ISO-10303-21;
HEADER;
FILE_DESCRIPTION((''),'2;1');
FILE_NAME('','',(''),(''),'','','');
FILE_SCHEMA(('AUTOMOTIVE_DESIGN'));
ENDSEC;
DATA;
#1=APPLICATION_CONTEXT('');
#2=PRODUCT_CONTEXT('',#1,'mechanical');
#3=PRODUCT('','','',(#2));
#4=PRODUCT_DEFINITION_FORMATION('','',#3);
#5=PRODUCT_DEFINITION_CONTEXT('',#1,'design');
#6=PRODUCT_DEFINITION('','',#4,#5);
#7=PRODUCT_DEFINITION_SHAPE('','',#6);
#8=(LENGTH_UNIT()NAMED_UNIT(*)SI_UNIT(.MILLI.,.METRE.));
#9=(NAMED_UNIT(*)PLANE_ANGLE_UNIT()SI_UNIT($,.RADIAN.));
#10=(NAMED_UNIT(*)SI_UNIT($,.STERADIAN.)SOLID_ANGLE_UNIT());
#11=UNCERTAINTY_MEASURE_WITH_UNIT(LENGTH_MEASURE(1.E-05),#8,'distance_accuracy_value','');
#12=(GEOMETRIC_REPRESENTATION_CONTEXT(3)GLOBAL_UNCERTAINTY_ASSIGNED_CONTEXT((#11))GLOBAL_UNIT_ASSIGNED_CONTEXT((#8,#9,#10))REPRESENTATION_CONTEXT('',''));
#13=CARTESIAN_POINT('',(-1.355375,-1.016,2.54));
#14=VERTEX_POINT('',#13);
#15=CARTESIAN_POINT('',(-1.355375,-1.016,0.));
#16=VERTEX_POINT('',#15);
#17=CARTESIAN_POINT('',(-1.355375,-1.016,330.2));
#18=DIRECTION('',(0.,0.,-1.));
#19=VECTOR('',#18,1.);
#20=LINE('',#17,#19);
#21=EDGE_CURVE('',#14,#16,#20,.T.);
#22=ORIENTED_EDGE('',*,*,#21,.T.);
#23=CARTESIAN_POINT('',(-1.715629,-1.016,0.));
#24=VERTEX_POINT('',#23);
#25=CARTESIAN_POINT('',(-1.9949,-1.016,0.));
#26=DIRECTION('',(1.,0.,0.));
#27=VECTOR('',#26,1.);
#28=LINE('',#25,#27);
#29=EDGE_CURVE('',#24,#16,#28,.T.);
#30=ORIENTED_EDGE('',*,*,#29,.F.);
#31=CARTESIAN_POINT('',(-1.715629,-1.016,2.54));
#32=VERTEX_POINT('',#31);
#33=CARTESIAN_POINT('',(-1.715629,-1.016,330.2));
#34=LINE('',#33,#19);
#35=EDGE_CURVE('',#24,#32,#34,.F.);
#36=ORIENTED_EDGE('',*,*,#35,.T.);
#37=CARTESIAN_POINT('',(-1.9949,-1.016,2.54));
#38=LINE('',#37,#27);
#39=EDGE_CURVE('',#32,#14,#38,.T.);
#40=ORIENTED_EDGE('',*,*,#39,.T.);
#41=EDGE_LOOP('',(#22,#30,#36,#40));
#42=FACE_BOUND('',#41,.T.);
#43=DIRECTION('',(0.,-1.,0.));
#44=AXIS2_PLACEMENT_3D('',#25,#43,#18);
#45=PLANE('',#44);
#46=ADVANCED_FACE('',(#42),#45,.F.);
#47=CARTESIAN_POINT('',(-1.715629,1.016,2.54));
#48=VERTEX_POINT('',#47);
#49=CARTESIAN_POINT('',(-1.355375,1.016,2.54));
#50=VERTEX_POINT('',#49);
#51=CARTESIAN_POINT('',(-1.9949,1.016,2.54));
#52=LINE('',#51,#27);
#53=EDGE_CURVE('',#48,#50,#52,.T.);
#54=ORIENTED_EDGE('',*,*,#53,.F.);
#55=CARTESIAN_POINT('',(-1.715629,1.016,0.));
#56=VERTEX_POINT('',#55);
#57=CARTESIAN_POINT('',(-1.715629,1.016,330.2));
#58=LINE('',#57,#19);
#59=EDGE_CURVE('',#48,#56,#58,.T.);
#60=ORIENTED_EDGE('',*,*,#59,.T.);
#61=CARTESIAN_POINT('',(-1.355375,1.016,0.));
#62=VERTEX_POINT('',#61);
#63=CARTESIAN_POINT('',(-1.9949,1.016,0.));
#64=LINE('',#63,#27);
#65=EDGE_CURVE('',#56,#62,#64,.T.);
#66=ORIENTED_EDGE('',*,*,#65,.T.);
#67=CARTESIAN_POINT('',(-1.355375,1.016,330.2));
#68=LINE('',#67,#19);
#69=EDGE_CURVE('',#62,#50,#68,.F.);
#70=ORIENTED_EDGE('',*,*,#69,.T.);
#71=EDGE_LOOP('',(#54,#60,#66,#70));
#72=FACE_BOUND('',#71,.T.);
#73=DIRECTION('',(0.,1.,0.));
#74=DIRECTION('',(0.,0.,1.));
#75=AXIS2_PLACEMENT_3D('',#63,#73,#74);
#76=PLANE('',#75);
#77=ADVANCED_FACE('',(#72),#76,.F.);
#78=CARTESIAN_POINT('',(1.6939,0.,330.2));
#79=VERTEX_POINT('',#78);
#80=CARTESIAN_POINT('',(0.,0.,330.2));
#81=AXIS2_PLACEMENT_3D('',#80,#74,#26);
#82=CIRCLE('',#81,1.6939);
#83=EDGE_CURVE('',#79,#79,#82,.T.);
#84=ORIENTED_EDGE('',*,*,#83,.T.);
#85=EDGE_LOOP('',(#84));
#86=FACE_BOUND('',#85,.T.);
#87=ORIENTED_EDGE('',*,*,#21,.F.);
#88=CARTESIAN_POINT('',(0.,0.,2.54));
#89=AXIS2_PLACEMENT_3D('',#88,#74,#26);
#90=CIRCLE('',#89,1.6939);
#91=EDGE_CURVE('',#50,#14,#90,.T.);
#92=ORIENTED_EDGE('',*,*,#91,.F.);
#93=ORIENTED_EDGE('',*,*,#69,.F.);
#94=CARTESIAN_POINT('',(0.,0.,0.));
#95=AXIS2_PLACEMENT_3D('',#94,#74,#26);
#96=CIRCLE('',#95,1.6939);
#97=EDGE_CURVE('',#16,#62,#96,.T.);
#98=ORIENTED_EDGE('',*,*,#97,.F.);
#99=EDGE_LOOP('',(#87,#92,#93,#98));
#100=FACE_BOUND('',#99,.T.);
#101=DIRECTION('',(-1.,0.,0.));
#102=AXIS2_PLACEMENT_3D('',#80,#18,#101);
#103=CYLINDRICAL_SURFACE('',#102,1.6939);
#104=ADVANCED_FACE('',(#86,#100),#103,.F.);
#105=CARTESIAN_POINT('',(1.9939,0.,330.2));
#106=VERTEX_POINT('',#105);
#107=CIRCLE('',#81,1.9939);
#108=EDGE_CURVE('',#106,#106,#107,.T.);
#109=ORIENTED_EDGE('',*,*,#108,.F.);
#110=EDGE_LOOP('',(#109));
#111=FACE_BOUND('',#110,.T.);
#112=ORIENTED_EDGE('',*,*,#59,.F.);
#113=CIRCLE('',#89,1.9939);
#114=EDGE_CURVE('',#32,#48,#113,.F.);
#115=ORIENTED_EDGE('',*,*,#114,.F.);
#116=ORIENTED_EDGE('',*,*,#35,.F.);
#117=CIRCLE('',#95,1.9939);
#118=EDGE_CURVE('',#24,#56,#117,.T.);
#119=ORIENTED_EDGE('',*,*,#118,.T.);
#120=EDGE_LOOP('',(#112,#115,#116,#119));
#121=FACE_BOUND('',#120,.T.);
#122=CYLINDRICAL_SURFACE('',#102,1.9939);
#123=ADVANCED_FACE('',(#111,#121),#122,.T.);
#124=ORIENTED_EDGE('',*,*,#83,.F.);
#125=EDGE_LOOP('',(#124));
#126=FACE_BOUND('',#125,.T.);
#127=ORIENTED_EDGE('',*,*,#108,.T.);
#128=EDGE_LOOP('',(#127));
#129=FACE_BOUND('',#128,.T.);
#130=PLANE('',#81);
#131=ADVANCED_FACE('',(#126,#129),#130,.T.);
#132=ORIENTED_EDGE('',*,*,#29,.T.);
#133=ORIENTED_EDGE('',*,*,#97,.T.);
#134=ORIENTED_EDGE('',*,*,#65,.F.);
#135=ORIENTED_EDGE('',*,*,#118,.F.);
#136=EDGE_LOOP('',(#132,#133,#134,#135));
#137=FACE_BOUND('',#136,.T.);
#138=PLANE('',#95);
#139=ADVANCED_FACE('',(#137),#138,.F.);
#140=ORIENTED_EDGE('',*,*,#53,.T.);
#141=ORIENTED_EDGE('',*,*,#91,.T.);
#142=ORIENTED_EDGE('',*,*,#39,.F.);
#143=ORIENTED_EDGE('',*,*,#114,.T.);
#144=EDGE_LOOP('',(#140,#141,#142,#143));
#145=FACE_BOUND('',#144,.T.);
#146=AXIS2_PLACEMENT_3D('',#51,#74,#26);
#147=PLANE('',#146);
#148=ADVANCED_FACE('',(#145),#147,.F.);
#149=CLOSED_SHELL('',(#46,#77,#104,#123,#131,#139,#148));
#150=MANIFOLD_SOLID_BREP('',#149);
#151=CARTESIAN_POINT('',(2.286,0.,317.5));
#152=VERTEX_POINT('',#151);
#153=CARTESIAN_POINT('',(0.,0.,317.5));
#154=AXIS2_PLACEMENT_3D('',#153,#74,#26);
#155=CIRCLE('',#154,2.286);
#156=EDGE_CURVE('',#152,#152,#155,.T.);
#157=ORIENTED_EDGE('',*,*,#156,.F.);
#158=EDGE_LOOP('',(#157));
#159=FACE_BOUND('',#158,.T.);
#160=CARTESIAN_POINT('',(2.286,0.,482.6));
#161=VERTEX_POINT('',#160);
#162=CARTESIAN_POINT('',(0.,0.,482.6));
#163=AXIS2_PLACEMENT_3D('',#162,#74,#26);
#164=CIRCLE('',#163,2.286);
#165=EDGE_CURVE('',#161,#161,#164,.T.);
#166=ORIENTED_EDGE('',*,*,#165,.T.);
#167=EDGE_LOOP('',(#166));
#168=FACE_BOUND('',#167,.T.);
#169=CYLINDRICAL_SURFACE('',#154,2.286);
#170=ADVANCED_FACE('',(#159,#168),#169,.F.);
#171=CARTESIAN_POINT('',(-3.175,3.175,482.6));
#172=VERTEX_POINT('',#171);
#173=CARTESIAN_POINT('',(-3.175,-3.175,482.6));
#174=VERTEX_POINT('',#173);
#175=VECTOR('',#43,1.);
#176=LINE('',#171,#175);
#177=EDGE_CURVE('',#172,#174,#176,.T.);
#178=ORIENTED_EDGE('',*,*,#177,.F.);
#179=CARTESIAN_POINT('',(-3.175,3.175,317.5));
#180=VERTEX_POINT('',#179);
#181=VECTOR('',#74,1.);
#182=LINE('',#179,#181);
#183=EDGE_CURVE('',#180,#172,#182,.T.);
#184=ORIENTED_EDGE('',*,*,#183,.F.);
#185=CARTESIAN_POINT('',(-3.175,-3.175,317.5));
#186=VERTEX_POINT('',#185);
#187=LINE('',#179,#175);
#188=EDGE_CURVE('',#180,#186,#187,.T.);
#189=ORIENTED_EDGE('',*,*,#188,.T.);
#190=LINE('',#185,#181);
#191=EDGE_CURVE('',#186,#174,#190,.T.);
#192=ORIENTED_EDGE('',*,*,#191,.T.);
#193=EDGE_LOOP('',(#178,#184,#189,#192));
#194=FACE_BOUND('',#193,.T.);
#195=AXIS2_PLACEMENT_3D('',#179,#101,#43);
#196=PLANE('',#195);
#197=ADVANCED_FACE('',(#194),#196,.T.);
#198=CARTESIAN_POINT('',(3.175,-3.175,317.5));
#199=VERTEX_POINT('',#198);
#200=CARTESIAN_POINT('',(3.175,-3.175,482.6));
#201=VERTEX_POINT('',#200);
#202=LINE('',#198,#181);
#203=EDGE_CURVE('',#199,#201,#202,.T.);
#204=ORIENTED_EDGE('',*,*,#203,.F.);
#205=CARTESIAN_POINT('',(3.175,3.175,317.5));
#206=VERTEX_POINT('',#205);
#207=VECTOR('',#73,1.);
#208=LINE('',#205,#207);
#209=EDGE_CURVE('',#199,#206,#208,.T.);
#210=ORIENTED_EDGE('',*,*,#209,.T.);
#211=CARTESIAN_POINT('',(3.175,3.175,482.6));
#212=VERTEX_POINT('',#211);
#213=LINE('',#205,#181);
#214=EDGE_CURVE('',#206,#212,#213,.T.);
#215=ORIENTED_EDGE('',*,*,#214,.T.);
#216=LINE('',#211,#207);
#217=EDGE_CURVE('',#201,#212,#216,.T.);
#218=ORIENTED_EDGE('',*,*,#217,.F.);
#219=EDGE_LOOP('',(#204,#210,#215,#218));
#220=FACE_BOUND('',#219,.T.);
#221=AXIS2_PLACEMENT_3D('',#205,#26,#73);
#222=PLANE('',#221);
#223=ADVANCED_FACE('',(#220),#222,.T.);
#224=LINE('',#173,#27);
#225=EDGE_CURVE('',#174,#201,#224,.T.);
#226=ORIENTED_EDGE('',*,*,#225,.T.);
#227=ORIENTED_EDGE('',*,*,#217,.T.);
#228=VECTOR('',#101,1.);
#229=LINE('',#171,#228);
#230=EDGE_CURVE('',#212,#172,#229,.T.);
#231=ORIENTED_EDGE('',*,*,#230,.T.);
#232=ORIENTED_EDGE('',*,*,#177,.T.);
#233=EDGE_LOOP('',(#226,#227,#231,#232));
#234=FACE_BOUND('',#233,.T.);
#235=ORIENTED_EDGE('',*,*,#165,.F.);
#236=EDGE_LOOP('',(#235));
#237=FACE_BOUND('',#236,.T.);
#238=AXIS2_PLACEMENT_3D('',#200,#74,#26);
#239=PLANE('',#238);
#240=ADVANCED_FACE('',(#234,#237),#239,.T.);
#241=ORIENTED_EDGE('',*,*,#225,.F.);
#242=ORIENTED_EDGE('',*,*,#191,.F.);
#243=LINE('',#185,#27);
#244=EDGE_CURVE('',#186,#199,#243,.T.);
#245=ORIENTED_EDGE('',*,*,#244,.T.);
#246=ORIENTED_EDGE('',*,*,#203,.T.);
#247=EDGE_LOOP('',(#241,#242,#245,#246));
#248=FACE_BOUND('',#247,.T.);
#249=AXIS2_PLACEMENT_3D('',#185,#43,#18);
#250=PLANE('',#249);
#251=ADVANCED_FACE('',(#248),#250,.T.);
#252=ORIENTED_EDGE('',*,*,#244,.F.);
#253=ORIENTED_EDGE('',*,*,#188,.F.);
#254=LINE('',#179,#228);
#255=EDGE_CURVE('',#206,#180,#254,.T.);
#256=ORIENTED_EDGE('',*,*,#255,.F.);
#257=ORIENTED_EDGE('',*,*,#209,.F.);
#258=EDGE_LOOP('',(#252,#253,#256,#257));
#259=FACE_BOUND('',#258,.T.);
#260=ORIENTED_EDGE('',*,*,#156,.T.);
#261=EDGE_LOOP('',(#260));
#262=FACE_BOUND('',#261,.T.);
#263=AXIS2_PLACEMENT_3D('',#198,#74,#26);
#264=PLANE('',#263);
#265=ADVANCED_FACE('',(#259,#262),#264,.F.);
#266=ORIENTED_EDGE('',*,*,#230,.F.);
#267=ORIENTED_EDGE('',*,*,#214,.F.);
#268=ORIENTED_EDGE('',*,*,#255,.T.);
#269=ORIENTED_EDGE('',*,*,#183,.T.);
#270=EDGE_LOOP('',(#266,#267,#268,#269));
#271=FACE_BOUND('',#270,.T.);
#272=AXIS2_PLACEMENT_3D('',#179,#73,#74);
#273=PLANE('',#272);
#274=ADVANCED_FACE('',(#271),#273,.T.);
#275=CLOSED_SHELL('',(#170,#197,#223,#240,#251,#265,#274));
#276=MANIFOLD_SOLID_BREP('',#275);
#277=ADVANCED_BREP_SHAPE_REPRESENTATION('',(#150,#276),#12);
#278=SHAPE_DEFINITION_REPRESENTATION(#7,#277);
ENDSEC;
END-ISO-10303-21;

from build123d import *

# Parameters (mm, degrees)
SKETCH1_R                = 1.9939
SKETCH1_R_2              = 1.6939
BOSS_EXTRUDE1_DEPTH      = 330.2
CUT_EXTRUDE1_REACH       = 332.212
CUT_EXTRUDE1_END_RADIUS  = 1.9939
SKETCH2_W                = 2.54
SKETCH2_H                = 2.032
BOSS_EXTRUDE3_DEPTH      = 152.4
BOSS_EXTRUDE3_DEPTH_BACK = 12.7
SKETCH5_W                = 6.35
SKETCH5_H                = 6.35
SKETCH5_R                = 2.286


with BuildPart() as part:
    # Sketch1 → Boss-Extrude1 (new body)
    with BuildSketch(Plane.XY):
        Circle(SKETCH1_R)
        Circle(SKETCH1_R_2, mode=Mode.SUBTRACT)
    extrude(amount=BOSS_EXTRUDE1_DEPTH)

    # Cut-Extrude1: up to this cylinder (the profile starts inside it)
    cut_extrude1_end = Plane(origin=(0, 0, 1.27), z_dir=(0, 0, -1)) * Cylinder(CUT_EXTRUDE1_END_RADIUS, 669.4118, mode=Mode.PRIVATE)
    # Sketch2 → Cut-Extrude1 (cut, up to the surface)
    with BuildSketch(Plane(origin=(0, 0, 0), x_dir=(0, 0, -1), z_dir=(1, 0, 0)), mode=Mode.PRIVATE) as cut_extrude1_sk1:
        with Locations((-1.27, 0)):
            Rectangle(SKETCH2_W, SKETCH2_H)
    cut_extrude1_tool1 = extrude(cut_extrude1_sk1.sketch, amount=-CUT_EXTRUDE1_REACH, mode=Mode.PRIVATE) & cut_extrude1_end
    add(cut_extrude1_tool1.solids().sort_by_distance((0, 0, 1.27))[0], mode=Mode.SUBTRACT)


with BuildPart() as body_2:
    # Sketch5 → Boss-Extrude3 (new, two sides: drawn at the far end of the back side and taken through both)
    with BuildSketch(Plane.XY.offset(330.2).offset(-BOSS_EXTRUDE3_DEPTH_BACK)):
        Rectangle(SKETCH5_W, SKETCH5_H)
        Circle(SKETCH5_R, mode=Mode.SUBTRACT)
    extrude(amount=BOSS_EXTRUDE3_DEPTH + BOSS_EXTRUDE3_DEPTH_BACK)


solid = Compound([part.part, body_2.part])
